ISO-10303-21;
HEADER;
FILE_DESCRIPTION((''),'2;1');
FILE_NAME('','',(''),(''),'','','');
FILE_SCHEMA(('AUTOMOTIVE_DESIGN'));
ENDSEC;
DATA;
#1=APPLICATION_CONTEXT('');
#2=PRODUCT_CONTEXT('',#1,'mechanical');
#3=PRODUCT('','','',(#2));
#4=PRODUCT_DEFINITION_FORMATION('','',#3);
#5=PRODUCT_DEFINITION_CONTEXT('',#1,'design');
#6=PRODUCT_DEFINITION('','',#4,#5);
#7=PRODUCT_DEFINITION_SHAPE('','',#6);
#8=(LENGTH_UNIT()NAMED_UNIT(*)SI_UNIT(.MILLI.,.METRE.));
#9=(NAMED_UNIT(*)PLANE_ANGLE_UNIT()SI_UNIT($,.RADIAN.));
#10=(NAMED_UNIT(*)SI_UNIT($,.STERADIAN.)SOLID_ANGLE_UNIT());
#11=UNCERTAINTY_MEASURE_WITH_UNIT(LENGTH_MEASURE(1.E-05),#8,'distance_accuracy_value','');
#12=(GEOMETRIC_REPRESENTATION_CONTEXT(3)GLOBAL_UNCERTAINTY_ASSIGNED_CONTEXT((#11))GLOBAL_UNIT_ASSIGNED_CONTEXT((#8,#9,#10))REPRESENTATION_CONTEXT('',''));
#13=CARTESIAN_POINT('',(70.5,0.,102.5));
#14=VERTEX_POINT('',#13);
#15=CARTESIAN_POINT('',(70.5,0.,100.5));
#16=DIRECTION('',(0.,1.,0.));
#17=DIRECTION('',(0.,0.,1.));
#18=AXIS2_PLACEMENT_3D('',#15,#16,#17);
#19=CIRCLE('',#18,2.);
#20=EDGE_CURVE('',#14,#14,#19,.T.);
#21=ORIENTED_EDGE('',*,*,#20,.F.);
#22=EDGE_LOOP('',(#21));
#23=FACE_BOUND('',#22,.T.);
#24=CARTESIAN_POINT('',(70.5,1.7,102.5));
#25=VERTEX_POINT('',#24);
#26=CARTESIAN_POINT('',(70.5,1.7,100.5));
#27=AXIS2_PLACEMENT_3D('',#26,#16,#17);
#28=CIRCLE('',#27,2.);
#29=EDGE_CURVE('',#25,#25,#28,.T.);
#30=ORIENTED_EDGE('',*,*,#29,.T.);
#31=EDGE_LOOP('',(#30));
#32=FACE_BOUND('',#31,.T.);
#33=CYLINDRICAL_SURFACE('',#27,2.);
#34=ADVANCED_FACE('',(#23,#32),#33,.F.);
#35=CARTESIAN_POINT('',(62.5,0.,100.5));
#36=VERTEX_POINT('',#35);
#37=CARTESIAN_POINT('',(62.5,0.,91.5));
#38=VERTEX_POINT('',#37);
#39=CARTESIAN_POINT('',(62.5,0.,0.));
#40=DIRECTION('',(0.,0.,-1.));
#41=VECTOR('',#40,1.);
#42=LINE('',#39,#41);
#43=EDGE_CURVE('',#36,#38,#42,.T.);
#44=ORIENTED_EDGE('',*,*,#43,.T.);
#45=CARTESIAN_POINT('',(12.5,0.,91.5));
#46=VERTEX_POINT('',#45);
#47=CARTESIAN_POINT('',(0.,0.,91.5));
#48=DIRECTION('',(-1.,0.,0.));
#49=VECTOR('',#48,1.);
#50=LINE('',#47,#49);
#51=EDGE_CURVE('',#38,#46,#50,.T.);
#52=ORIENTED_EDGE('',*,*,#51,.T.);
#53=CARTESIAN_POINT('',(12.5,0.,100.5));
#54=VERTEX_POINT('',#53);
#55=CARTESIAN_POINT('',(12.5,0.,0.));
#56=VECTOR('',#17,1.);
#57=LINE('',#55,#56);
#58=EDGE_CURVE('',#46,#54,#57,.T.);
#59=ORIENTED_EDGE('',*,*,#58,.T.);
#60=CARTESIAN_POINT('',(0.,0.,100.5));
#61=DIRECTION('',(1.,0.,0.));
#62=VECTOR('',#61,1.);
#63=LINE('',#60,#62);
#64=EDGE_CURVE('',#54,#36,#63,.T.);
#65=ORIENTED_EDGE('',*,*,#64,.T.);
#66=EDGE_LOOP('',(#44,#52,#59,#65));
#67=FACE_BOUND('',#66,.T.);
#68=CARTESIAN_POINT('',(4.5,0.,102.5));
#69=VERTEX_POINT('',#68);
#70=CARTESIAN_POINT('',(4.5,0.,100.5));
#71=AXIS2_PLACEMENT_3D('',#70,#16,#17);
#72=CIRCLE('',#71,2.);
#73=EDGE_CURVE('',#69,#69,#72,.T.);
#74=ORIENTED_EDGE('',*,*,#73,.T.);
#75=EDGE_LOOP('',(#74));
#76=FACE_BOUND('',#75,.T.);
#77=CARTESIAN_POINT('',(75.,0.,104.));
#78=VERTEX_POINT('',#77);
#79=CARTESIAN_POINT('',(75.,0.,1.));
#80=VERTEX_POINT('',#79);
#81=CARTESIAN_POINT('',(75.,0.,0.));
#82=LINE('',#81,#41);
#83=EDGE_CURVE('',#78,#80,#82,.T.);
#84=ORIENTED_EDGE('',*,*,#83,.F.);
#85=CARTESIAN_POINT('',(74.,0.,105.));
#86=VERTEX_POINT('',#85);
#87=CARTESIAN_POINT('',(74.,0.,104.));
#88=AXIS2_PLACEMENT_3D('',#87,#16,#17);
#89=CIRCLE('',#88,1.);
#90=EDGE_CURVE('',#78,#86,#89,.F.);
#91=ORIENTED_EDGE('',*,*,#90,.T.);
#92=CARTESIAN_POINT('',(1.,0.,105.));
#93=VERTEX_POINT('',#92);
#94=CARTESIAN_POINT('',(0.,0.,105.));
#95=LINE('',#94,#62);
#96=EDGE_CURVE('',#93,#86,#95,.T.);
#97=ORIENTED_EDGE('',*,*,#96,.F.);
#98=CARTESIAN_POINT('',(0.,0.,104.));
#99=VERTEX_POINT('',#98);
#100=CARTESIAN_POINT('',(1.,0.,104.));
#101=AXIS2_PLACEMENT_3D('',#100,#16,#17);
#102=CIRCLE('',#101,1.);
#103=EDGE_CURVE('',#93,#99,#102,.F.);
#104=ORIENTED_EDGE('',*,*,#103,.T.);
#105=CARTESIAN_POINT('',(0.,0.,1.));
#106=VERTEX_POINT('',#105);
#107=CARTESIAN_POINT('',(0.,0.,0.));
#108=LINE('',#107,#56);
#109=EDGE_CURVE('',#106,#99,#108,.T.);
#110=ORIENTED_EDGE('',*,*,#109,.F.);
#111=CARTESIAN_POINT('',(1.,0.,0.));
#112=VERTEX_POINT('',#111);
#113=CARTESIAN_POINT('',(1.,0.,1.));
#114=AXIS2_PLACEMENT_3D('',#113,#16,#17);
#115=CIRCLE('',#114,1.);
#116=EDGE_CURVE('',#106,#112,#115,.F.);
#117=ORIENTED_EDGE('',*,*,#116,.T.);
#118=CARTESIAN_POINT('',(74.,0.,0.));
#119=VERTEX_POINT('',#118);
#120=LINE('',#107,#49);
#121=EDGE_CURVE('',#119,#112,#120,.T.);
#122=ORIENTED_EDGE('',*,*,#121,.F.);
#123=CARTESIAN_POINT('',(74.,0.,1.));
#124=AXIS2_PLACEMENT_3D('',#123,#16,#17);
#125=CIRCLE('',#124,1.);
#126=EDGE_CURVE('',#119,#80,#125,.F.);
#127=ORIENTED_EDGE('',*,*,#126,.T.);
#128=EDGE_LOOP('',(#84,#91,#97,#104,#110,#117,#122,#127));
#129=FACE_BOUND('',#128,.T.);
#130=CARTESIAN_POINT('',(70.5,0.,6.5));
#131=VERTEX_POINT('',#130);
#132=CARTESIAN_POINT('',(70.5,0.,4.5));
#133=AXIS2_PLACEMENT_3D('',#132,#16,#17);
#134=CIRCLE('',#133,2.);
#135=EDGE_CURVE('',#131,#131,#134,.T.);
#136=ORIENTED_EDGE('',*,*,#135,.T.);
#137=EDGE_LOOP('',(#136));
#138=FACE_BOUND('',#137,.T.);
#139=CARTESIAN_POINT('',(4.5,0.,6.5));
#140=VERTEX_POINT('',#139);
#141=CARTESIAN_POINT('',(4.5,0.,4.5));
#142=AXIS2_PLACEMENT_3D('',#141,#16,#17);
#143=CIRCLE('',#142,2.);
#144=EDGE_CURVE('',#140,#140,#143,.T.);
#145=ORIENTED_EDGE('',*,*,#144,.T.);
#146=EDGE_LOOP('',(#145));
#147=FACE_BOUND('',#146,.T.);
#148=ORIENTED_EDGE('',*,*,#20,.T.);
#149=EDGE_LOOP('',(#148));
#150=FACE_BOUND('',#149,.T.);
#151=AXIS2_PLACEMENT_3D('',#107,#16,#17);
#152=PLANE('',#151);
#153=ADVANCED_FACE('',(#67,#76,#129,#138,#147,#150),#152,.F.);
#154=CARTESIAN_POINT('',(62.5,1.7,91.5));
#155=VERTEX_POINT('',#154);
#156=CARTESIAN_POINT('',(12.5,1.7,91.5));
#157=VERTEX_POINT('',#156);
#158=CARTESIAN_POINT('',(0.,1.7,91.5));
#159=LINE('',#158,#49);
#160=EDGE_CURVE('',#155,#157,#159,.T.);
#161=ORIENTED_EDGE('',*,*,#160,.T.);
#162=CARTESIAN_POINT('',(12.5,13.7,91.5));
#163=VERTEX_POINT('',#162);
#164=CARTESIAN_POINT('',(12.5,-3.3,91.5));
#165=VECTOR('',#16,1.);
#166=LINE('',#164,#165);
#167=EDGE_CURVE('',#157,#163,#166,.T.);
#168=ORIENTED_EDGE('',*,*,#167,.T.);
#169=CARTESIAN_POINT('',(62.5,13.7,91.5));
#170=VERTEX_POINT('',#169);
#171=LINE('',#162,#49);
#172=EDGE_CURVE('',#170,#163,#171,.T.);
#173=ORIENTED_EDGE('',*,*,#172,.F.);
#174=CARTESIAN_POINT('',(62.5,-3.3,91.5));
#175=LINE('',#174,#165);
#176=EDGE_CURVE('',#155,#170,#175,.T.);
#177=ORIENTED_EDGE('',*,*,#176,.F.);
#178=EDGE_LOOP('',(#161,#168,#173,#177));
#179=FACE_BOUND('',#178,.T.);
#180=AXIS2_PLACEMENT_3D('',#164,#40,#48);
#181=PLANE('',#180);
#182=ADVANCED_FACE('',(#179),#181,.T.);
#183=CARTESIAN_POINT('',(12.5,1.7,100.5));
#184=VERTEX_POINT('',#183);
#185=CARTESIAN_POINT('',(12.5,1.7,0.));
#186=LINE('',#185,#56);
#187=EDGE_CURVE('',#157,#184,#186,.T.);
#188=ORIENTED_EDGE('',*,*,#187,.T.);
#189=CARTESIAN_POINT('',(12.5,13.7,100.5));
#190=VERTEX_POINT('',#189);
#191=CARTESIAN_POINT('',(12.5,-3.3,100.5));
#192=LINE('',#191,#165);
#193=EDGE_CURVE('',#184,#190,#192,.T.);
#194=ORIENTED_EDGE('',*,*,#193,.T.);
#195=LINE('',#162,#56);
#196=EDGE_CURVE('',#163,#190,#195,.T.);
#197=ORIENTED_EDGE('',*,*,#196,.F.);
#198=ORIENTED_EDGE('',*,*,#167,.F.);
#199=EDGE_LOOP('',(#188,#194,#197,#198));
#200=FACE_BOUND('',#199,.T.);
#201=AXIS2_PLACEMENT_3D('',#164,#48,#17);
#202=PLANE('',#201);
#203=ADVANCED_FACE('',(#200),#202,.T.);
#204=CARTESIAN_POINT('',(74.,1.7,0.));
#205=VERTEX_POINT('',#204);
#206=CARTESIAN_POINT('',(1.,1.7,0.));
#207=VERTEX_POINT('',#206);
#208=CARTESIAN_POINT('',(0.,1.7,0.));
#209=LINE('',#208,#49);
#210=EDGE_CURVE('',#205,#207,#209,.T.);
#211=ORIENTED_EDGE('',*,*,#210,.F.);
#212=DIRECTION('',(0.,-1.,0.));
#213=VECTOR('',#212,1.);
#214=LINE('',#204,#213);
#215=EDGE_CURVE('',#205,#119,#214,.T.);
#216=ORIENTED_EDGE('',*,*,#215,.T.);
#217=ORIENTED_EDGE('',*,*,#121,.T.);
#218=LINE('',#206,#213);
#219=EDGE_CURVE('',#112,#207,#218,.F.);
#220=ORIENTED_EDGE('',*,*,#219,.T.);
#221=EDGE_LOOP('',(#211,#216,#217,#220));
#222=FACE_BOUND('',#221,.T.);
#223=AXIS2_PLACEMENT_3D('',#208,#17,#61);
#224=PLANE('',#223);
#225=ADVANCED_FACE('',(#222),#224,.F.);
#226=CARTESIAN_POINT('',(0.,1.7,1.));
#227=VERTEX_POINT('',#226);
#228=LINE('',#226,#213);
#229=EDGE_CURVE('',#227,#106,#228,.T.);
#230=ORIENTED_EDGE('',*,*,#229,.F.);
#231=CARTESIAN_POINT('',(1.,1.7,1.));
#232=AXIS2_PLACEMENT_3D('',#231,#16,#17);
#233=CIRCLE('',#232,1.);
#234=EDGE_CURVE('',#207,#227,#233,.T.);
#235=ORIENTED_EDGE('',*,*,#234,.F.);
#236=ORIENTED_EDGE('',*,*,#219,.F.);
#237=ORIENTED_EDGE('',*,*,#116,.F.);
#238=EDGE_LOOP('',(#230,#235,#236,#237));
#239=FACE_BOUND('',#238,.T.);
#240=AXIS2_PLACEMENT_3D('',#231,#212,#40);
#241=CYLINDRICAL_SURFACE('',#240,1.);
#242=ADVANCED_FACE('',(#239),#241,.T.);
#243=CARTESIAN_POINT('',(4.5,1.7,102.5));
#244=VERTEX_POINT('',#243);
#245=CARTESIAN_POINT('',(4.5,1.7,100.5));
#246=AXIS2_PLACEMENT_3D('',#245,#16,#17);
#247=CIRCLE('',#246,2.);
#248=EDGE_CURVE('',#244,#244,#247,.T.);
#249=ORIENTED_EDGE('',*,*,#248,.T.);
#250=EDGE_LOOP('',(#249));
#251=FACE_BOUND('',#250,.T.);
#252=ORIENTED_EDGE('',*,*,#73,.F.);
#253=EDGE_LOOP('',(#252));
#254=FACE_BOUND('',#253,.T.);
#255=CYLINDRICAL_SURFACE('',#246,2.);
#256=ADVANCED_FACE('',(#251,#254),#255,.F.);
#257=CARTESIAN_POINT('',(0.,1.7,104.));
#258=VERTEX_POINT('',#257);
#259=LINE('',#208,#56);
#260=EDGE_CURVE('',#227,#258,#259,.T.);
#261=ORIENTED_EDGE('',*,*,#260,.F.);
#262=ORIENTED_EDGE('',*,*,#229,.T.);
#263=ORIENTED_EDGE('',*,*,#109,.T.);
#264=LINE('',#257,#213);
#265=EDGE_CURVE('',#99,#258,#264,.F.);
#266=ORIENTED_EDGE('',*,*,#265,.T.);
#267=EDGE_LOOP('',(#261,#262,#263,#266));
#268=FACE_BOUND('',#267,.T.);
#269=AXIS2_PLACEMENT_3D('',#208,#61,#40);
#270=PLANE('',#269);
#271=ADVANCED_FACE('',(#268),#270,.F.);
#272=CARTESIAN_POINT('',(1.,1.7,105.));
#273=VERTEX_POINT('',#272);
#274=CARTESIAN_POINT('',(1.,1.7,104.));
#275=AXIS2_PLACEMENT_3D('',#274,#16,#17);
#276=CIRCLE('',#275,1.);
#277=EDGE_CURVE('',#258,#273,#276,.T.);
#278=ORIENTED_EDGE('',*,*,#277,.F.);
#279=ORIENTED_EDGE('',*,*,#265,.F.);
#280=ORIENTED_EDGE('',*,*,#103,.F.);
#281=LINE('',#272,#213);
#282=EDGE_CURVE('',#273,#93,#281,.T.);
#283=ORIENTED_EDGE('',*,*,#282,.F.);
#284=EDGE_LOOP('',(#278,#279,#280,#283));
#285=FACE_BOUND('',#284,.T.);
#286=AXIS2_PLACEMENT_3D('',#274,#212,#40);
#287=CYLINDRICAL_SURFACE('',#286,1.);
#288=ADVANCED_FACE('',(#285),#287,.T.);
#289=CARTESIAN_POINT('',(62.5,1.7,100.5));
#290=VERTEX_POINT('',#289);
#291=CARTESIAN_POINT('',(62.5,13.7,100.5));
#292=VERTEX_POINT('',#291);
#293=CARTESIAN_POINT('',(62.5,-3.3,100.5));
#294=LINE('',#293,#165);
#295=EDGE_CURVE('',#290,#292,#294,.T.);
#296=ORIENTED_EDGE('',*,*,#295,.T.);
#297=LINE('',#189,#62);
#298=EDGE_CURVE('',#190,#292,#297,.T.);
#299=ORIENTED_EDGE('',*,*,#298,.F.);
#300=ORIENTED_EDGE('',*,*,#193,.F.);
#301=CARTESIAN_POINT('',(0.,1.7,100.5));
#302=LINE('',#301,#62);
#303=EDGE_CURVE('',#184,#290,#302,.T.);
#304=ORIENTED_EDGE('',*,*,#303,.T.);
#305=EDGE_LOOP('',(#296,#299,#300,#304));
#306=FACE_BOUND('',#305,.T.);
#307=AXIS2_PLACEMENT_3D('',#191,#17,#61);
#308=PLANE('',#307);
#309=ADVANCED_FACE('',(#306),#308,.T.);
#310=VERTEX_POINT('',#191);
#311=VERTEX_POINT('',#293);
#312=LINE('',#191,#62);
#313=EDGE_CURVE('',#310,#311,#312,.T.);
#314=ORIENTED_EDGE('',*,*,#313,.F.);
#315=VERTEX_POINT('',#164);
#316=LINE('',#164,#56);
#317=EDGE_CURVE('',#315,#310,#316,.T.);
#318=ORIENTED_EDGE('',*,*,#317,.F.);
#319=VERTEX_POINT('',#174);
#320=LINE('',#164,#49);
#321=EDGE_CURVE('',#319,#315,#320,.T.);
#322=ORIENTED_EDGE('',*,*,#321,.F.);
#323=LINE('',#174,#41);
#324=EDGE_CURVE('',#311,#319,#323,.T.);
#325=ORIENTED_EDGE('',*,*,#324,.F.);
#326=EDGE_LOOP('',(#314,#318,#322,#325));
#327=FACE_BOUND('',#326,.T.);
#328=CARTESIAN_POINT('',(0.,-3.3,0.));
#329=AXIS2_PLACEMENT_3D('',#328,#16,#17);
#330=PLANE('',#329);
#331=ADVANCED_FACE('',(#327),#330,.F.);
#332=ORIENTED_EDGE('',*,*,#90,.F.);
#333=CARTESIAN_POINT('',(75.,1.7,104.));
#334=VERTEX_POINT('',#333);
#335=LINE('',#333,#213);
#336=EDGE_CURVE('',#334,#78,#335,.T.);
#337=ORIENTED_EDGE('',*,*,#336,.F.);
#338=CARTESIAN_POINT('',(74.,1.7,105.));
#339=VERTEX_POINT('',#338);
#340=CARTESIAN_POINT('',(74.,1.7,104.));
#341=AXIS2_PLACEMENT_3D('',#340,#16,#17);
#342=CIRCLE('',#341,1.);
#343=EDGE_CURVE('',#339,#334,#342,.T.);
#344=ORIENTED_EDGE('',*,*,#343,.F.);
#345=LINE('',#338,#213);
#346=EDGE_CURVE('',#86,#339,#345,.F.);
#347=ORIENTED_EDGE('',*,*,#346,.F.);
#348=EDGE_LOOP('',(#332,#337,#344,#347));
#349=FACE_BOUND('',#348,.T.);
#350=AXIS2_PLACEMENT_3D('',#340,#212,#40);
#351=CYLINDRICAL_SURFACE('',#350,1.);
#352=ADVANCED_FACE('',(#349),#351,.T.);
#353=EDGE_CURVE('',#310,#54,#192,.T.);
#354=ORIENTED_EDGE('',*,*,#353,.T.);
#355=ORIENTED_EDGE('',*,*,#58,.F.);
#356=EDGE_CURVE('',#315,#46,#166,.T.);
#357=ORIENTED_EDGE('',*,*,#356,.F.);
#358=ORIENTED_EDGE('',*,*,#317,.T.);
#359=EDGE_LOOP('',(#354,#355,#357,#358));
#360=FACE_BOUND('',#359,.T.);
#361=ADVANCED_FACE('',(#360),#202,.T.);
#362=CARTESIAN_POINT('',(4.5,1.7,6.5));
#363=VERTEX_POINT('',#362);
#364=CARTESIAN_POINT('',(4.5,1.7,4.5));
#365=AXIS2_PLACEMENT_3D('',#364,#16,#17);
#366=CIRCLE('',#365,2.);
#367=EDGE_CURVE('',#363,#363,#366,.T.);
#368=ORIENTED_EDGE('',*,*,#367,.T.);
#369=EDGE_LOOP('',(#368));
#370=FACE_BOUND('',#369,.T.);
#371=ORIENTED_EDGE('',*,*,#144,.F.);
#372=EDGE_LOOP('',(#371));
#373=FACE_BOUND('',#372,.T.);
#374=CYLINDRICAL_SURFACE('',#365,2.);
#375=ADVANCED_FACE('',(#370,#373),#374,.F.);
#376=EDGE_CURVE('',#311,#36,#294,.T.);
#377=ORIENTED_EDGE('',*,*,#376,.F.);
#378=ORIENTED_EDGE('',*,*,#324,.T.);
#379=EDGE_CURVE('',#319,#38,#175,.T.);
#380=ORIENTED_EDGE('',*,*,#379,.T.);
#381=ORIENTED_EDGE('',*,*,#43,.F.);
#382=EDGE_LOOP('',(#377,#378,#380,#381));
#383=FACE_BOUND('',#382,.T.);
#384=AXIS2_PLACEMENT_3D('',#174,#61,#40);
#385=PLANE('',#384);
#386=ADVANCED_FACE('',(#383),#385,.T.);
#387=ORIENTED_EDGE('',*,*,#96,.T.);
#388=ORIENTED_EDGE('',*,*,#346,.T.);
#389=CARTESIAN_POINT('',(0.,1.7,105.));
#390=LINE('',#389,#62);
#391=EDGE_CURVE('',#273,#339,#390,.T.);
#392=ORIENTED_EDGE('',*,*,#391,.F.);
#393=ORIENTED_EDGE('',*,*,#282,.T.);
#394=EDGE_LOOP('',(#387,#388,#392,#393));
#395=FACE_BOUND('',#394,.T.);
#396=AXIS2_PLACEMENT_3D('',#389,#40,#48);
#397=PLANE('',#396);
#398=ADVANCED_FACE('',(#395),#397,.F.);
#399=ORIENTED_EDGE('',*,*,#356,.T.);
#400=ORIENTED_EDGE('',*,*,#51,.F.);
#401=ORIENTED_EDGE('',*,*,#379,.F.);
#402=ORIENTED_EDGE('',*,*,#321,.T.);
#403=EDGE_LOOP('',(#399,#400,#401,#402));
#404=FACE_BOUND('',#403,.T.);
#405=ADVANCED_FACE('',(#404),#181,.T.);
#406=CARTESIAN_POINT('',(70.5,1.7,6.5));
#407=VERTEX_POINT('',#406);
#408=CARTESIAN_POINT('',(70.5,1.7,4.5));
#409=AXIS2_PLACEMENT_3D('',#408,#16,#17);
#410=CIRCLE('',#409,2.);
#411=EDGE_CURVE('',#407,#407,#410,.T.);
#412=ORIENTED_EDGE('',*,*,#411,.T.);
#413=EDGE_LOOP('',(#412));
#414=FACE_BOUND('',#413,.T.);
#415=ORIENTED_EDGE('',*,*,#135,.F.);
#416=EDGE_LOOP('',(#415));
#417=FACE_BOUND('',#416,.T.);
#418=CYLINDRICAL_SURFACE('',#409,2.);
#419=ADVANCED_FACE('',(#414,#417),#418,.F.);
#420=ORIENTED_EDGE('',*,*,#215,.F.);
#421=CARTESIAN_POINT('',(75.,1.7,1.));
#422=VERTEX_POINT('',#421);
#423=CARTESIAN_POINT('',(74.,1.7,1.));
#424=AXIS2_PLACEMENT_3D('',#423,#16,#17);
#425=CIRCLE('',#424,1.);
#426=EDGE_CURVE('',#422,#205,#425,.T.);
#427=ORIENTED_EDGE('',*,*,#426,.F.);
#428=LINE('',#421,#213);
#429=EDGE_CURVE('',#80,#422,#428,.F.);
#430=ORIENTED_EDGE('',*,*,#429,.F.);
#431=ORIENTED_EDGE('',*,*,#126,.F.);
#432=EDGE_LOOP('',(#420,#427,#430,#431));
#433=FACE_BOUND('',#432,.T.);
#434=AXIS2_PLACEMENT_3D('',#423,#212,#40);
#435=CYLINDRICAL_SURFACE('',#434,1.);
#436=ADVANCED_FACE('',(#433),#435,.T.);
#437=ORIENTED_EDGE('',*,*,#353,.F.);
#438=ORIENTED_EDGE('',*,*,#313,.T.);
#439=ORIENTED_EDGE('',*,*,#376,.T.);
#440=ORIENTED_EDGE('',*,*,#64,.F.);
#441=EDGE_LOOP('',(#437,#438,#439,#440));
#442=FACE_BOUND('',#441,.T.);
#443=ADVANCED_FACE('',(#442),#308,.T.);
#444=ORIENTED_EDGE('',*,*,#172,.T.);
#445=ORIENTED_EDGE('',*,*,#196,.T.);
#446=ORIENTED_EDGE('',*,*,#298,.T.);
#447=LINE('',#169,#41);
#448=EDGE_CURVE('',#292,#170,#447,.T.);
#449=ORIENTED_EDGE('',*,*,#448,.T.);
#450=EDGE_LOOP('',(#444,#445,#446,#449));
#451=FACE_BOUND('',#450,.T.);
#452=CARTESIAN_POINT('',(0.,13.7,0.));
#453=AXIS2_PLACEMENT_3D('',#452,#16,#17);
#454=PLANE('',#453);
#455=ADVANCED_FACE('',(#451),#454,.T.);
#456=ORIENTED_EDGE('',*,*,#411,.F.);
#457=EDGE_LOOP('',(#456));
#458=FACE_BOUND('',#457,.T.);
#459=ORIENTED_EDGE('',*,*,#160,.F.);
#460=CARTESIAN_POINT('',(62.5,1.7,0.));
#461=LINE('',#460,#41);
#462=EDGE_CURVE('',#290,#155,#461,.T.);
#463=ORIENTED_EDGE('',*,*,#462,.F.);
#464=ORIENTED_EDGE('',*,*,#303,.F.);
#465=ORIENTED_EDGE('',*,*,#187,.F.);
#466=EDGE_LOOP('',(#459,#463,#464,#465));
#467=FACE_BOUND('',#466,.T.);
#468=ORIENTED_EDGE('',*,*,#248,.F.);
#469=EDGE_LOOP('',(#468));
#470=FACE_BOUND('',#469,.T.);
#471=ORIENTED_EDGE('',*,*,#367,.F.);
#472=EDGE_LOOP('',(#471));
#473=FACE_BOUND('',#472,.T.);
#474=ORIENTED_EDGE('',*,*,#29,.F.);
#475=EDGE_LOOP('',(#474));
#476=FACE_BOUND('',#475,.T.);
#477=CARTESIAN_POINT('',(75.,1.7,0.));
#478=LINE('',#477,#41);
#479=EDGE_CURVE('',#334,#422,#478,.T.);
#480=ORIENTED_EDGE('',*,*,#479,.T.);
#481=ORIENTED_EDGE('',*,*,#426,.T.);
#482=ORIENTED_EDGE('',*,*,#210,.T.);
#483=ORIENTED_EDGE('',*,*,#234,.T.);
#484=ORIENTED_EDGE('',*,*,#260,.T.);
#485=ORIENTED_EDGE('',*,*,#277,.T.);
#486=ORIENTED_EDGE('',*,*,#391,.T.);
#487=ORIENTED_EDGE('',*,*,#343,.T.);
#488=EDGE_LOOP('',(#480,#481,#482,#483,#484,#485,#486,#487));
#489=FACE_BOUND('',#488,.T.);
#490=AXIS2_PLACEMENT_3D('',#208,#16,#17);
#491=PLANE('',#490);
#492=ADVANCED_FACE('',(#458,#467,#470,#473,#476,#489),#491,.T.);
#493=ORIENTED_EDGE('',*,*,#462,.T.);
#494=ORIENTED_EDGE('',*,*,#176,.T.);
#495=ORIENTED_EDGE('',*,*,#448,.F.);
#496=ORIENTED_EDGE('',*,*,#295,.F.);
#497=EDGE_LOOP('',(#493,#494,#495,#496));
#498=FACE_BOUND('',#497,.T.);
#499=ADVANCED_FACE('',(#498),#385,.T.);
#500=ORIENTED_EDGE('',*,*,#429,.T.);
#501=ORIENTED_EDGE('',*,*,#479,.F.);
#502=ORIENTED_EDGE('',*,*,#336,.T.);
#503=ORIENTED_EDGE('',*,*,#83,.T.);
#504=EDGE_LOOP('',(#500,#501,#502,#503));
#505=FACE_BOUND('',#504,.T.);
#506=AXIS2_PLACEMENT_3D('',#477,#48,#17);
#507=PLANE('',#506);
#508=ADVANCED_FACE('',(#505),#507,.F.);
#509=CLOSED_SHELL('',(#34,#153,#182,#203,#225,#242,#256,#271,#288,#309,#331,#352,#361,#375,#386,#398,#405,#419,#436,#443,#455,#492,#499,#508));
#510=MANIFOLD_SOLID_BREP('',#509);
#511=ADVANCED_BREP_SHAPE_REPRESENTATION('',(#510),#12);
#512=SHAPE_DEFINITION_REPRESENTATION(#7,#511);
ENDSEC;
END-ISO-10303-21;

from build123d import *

# Parameters (mm, degrees)
ESQUISSE1_W                   = 75
ESQUISSE1_H                   = 105
BOSS_EXTRU_1_DEPTH            = 1.7
DIAM_TRE_DU_PER_AGE_4_0_4_1_D = 4
CONG_1_R                      = 1
BOSS_EXTRU_2_DEPTH            = 12
BOSS_EXTRU_2_DEPTH_BACK       = 5
ESQUISSE4_W                   = 50
ESQUISSE4_H                   = 9


with BuildPart() as part:
    # Esquisse1 → Boss.-Extru.1 (new body)
    with BuildSketch(Plane(origin=(0, 0, 0), x_dir=(1, 0, 0), z_dir=(0, 1, 0))):
        with Locations((37.5, -52.5)):
            Rectangle(ESQUISSE1_W, ESQUISSE1_H)
    extrude(amount=BOSS_EXTRU_1_DEPTH)

    # Diamètre du perçage Ø4.0 (4)1 (through all)
    with Locations(Plane(origin=(0, 1.7, 0), x_dir=(1, 0, 0), z_dir=(0, 1, 0))):
        with Locations((70.5, -100.5), (4.5, -100.5), (70.5, -4.5), (4.5, -4.5)):
            Hole(DIAM_TRE_DU_PER_AGE_4_0_4_1_D / 2)

    # Congé1
    cong_1_edges = [part.edges().sort_by_distance(p)[0] for p in [
        (0, 0.85, 0),
        (75, 0.85, 0),
        (75, 0.85, 105),
        (0, 0.85, 105),
    ]]
    fillet(cong_1_edges, radius=CONG_1_R)

    # Esquisse4 → Boss.-Extru.2 (add, two sides: drawn at the far end of the back side and taken through both)
    with BuildSketch(Plane(origin=(0, 1.7, 0), x_dir=(1, 0, 0), z_dir=(0, 1, 0)).offset(-BOSS_EXTRU_2_DEPTH_BACK)):
        with Locations((37.5, -96)):
            Rectangle(ESQUISSE4_W, ESQUISSE4_H)
    extrude(amount=BOSS_EXTRU_2_DEPTH + BOSS_EXTRU_2_DEPTH_BACK)


solid = part.part
